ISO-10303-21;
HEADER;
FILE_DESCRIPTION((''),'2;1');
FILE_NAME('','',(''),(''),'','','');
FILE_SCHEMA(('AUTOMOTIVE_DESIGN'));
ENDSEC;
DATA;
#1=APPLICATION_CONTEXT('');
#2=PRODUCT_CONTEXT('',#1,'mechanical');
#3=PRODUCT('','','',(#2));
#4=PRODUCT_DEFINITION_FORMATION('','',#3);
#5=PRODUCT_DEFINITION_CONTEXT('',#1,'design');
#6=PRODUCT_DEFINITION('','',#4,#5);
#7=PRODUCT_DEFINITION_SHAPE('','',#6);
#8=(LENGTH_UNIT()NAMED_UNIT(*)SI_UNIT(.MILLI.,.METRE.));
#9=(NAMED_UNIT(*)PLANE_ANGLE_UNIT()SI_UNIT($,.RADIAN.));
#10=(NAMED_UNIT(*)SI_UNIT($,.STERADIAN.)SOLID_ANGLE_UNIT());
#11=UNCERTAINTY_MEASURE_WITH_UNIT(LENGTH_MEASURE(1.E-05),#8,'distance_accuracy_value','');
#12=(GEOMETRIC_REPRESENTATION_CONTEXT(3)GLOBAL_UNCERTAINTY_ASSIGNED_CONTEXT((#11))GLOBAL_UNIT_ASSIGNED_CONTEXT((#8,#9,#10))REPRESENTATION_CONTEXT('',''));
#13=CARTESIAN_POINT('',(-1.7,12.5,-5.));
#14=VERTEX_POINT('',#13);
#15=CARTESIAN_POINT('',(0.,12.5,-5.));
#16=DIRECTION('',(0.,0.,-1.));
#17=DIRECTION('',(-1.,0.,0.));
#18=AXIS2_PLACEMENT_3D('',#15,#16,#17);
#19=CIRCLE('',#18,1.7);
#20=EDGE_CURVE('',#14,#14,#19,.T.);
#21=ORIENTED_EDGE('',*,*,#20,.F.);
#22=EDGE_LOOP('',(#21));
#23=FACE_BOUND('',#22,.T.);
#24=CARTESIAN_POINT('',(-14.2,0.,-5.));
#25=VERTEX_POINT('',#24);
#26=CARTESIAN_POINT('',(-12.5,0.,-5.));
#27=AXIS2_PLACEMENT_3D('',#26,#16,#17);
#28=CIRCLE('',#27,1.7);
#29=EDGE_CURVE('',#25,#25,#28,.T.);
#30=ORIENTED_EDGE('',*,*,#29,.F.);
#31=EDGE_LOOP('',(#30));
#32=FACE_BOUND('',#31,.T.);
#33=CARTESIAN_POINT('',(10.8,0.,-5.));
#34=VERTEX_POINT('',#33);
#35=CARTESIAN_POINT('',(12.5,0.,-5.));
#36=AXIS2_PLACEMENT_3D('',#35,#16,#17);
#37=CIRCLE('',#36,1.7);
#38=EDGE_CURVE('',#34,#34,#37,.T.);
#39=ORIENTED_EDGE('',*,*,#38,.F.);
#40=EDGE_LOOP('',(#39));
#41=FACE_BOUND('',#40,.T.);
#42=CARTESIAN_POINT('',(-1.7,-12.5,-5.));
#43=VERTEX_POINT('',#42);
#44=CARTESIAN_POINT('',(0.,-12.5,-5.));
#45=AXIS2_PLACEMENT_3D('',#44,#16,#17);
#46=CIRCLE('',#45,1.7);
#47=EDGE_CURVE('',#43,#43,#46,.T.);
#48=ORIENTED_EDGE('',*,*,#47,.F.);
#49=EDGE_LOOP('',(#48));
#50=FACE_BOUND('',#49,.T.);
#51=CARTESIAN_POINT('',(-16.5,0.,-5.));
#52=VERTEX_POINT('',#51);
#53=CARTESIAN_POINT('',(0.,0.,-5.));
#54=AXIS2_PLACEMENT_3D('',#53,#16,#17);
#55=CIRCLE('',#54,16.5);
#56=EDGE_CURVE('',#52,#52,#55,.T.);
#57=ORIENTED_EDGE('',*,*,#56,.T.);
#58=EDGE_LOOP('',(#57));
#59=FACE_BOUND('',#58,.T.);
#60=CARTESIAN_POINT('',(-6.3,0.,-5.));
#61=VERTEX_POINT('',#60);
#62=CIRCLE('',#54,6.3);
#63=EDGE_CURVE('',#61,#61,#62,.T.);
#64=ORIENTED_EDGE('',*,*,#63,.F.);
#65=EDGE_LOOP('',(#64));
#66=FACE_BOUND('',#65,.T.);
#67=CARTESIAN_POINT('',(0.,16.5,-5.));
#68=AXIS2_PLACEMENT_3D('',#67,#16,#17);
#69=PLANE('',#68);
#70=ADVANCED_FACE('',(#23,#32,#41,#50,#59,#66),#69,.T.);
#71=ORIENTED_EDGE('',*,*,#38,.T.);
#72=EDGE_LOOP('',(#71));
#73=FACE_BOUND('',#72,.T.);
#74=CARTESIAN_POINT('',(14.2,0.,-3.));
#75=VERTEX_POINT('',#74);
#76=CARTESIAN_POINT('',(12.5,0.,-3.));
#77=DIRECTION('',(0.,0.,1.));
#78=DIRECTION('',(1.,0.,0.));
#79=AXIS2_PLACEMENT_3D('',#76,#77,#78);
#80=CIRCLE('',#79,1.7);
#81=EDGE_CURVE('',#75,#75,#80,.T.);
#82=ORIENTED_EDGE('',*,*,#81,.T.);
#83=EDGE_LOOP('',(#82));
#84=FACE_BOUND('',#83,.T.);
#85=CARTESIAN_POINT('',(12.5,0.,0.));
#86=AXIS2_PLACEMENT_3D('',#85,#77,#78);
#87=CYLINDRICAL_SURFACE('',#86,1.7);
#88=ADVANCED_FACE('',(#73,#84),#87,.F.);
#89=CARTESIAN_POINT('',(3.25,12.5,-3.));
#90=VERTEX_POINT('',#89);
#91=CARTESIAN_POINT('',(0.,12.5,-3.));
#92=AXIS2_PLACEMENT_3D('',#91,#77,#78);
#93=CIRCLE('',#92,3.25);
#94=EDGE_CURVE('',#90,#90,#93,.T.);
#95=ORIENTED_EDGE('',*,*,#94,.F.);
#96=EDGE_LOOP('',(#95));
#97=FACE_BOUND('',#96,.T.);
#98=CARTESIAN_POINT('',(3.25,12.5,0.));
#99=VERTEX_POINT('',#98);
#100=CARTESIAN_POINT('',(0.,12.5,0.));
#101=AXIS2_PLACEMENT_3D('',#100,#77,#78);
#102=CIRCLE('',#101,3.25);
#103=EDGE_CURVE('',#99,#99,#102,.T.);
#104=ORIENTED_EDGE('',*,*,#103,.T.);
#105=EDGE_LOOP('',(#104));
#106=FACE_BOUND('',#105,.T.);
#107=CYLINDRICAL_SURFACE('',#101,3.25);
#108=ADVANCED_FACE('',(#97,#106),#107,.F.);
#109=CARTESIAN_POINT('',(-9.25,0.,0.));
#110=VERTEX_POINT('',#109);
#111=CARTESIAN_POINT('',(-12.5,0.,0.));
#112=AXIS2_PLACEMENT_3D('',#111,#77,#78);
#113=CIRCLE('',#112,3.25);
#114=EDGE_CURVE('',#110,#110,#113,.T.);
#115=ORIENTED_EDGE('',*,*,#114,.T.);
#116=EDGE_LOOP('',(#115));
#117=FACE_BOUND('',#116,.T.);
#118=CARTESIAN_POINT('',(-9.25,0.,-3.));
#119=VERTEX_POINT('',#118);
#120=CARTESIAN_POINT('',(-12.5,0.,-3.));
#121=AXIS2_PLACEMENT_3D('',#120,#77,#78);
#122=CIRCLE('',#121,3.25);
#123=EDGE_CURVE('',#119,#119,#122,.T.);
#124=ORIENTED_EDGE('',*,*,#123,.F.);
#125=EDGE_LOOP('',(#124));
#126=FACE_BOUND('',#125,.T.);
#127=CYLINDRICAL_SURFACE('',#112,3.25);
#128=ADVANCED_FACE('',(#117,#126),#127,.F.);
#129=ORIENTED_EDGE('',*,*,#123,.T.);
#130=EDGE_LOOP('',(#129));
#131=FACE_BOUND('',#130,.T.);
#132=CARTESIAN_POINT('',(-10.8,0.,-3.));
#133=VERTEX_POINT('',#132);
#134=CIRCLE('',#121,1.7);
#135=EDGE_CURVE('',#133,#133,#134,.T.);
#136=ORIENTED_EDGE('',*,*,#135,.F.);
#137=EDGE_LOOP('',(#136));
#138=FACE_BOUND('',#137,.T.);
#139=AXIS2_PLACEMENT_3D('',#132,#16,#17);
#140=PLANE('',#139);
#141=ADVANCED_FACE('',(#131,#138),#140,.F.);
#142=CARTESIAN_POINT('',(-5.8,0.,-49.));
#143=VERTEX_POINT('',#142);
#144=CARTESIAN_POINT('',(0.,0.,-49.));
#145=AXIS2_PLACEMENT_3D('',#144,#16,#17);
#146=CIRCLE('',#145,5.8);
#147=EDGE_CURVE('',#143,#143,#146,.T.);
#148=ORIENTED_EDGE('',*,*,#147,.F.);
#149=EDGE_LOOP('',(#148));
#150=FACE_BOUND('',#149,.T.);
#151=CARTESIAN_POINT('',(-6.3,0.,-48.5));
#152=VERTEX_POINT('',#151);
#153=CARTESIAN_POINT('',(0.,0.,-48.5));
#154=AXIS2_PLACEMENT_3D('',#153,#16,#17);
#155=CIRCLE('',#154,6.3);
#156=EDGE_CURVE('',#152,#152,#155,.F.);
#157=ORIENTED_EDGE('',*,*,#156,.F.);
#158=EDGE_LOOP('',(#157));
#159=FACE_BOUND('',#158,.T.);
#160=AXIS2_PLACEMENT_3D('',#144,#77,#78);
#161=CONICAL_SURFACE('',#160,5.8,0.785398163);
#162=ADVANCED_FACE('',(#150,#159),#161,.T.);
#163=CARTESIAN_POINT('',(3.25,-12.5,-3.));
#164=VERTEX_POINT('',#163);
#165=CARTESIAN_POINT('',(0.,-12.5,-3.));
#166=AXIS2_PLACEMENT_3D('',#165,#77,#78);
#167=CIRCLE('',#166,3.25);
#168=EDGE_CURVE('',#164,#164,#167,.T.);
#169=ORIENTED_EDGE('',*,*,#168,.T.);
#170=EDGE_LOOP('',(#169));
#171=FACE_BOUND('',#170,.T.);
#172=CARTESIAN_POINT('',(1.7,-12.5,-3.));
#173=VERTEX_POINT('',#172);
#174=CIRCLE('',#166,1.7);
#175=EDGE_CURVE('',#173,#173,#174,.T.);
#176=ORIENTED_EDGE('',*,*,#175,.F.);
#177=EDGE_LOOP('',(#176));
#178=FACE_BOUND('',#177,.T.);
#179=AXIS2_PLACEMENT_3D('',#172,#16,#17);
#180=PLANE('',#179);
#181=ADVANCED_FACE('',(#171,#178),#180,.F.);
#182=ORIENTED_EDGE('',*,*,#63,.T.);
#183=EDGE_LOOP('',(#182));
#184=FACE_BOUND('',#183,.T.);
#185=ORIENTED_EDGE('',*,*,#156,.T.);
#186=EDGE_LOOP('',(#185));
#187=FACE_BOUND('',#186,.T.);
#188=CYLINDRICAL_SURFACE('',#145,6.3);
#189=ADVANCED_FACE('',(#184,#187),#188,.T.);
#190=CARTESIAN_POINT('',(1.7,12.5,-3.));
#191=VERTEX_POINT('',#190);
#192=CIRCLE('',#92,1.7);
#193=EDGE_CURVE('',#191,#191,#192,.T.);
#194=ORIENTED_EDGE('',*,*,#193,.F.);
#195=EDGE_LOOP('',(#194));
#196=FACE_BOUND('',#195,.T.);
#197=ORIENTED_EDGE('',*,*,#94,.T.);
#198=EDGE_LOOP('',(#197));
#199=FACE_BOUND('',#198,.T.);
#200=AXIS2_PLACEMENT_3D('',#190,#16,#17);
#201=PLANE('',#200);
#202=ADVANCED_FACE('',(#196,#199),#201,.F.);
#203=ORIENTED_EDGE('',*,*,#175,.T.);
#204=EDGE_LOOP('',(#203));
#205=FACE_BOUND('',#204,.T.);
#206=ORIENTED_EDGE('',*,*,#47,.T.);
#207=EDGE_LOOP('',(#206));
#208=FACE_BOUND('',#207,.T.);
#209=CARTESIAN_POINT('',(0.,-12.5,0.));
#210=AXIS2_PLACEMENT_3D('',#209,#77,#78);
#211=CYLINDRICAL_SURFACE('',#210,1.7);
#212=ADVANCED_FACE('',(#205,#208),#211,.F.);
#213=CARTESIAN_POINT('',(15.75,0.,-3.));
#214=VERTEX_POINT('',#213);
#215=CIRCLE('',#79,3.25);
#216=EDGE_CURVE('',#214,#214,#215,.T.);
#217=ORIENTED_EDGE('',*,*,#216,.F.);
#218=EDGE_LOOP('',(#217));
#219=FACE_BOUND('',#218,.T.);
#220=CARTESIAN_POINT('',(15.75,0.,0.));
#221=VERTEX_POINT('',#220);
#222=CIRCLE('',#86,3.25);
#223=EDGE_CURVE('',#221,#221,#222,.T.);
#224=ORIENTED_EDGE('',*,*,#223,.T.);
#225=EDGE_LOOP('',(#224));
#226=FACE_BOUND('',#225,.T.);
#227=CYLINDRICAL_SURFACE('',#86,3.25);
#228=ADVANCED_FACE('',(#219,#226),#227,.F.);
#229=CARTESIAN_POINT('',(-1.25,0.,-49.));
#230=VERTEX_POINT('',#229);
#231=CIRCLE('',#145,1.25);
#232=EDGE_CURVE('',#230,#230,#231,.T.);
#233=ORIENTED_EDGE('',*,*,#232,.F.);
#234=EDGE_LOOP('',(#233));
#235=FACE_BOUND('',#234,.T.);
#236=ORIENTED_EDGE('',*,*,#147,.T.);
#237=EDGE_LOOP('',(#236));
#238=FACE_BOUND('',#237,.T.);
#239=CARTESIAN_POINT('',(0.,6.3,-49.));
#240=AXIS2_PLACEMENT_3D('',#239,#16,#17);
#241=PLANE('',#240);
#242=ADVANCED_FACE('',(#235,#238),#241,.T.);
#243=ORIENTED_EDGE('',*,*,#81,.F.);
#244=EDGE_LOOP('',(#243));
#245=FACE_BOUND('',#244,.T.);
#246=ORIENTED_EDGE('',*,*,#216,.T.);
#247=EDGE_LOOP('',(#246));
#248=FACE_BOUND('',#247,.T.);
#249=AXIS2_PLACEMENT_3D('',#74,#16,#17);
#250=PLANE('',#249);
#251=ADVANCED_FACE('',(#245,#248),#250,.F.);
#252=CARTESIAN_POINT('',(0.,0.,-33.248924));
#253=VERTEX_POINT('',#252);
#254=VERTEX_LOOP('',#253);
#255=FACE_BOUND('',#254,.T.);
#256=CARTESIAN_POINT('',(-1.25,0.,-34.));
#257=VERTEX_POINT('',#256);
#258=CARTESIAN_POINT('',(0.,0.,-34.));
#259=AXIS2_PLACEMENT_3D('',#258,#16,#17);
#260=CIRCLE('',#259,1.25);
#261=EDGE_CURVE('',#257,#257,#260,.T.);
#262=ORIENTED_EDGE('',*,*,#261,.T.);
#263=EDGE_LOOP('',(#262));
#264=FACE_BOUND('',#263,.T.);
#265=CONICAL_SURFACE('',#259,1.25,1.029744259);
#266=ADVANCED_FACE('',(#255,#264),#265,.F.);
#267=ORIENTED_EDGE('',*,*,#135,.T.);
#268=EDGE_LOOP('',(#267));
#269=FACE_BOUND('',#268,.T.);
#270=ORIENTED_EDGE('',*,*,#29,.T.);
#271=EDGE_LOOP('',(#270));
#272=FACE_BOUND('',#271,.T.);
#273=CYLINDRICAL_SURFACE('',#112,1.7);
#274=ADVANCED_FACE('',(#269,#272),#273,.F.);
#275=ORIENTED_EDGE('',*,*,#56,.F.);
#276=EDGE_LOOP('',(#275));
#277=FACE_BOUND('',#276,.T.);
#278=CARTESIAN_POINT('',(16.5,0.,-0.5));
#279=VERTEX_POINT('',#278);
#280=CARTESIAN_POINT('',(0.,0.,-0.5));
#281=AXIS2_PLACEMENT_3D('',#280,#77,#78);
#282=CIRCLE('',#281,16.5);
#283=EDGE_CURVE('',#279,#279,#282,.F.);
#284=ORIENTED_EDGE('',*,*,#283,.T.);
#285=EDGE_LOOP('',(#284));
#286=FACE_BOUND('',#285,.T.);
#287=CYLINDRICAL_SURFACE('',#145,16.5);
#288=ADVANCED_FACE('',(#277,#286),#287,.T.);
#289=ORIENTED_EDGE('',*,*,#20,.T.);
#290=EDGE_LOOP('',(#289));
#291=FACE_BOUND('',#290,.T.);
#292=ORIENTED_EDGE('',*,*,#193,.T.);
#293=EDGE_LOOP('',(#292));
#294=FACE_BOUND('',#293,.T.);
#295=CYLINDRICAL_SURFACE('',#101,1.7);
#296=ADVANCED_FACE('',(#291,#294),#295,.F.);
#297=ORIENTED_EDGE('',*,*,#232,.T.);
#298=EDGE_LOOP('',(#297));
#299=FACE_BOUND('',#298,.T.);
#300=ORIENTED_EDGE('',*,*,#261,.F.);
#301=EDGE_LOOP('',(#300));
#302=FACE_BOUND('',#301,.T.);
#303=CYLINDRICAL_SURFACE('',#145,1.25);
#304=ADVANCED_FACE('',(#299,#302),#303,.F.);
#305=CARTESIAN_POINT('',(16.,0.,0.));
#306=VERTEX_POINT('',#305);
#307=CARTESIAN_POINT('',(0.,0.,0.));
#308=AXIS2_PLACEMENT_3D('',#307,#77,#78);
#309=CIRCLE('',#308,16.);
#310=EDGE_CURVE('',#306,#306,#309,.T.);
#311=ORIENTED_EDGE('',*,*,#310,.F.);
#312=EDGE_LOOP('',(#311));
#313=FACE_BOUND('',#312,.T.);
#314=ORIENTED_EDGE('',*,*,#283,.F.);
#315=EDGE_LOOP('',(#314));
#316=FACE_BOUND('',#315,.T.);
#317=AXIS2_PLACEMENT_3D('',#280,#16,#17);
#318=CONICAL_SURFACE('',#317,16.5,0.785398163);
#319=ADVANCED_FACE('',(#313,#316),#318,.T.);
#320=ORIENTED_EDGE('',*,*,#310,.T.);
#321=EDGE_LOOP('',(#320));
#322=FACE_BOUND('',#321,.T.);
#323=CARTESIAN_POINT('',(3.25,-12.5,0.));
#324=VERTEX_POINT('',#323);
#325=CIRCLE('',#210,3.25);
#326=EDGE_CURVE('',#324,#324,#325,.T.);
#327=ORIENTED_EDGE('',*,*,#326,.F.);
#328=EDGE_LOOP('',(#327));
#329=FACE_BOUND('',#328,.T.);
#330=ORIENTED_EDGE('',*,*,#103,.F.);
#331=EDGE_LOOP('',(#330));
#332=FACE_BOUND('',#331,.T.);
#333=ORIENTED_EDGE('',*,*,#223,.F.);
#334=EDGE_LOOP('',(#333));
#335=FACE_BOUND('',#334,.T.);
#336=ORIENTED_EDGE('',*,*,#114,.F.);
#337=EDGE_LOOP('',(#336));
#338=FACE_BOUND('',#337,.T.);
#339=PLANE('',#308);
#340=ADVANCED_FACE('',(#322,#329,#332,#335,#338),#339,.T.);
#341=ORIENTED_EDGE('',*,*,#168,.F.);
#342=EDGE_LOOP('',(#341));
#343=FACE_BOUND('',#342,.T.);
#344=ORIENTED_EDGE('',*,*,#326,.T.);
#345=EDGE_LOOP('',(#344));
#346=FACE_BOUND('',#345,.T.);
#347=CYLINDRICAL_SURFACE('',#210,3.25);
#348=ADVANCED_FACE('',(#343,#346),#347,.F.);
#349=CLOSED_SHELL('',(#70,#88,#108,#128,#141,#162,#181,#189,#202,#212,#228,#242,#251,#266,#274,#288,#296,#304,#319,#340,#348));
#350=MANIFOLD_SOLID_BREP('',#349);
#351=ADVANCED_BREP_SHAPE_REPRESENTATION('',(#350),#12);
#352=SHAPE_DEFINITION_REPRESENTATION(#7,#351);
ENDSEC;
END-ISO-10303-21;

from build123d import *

# Parameters (mm, degrees)
HOLE_WIZARD_M31_D           = 3.4
HOLE_WIZARD_M31_CBORE_D     = 6.5
HOLE_WIZARD_M31_CBORE_DEPTH = 3
M3X0_51_D                   = 2.5
M3X0_51_DEPTH               = 15
M3X0_51_TIP                 = 0.751075774
CHAMFER_1_SIZE              = 0.5


with BuildPart() as part:
    # Эскиз2 → Повернуть1 (revolve)
    with BuildSketch(Plane(origin=(0, 0, 0), x_dir=(0, 0, -1), z_dir=(1, 0, 0))):
        Polygon((0, 0), (0, 16.5), (5, 16.5), (5, 6.3), (49, 6.3), (49, 0), align=None)
    revolve(axis=Axis((0, 0, -49), (0, 0, 1)))

    # Цековка для винта с внутренним шестигранником M31 (through all)
    with Locations(Plane.XY):
        with Locations((-12.5, 0), (0, 12.5), (12.5, 0), (0, -12.5)):
            CounterBoreHole(HOLE_WIZARD_M31_D / 2, HOLE_WIZARD_M31_CBORE_D / 2, HOLE_WIZARD_M31_CBORE_DEPTH)

    # Отверстие обработанное метчиком M3x0.51
    with Locations(Plane(origin=(2.706733298, -7.232806727, -49), x_dir=(-0.635524995, -0.772080294, 0), z_dir=(0, 0, -1))):
        with Locations((-3.864110878, 6.686444901)):
            Hole(M3X0_51_D / 2, depth=M3X0_51_DEPTH)
            with Locations((0, 0, -(M3X0_51_DEPTH + M3X0_51_TIP / 2))):  # 118° drill point
                Cone(0, M3X0_51_D / 2, M3X0_51_TIP, mode=Mode.SUBTRACT)

    # Фаска1
    chamfer_1_edges = [part.edges().sort_by_distance(p)[0] for p in [
        (0, -6.3, -49),
        (0, -16.5, 0),
    ]]
    chamfer(chamfer_1_edges, length=CHAMFER_1_SIZE)


solid = part.part
